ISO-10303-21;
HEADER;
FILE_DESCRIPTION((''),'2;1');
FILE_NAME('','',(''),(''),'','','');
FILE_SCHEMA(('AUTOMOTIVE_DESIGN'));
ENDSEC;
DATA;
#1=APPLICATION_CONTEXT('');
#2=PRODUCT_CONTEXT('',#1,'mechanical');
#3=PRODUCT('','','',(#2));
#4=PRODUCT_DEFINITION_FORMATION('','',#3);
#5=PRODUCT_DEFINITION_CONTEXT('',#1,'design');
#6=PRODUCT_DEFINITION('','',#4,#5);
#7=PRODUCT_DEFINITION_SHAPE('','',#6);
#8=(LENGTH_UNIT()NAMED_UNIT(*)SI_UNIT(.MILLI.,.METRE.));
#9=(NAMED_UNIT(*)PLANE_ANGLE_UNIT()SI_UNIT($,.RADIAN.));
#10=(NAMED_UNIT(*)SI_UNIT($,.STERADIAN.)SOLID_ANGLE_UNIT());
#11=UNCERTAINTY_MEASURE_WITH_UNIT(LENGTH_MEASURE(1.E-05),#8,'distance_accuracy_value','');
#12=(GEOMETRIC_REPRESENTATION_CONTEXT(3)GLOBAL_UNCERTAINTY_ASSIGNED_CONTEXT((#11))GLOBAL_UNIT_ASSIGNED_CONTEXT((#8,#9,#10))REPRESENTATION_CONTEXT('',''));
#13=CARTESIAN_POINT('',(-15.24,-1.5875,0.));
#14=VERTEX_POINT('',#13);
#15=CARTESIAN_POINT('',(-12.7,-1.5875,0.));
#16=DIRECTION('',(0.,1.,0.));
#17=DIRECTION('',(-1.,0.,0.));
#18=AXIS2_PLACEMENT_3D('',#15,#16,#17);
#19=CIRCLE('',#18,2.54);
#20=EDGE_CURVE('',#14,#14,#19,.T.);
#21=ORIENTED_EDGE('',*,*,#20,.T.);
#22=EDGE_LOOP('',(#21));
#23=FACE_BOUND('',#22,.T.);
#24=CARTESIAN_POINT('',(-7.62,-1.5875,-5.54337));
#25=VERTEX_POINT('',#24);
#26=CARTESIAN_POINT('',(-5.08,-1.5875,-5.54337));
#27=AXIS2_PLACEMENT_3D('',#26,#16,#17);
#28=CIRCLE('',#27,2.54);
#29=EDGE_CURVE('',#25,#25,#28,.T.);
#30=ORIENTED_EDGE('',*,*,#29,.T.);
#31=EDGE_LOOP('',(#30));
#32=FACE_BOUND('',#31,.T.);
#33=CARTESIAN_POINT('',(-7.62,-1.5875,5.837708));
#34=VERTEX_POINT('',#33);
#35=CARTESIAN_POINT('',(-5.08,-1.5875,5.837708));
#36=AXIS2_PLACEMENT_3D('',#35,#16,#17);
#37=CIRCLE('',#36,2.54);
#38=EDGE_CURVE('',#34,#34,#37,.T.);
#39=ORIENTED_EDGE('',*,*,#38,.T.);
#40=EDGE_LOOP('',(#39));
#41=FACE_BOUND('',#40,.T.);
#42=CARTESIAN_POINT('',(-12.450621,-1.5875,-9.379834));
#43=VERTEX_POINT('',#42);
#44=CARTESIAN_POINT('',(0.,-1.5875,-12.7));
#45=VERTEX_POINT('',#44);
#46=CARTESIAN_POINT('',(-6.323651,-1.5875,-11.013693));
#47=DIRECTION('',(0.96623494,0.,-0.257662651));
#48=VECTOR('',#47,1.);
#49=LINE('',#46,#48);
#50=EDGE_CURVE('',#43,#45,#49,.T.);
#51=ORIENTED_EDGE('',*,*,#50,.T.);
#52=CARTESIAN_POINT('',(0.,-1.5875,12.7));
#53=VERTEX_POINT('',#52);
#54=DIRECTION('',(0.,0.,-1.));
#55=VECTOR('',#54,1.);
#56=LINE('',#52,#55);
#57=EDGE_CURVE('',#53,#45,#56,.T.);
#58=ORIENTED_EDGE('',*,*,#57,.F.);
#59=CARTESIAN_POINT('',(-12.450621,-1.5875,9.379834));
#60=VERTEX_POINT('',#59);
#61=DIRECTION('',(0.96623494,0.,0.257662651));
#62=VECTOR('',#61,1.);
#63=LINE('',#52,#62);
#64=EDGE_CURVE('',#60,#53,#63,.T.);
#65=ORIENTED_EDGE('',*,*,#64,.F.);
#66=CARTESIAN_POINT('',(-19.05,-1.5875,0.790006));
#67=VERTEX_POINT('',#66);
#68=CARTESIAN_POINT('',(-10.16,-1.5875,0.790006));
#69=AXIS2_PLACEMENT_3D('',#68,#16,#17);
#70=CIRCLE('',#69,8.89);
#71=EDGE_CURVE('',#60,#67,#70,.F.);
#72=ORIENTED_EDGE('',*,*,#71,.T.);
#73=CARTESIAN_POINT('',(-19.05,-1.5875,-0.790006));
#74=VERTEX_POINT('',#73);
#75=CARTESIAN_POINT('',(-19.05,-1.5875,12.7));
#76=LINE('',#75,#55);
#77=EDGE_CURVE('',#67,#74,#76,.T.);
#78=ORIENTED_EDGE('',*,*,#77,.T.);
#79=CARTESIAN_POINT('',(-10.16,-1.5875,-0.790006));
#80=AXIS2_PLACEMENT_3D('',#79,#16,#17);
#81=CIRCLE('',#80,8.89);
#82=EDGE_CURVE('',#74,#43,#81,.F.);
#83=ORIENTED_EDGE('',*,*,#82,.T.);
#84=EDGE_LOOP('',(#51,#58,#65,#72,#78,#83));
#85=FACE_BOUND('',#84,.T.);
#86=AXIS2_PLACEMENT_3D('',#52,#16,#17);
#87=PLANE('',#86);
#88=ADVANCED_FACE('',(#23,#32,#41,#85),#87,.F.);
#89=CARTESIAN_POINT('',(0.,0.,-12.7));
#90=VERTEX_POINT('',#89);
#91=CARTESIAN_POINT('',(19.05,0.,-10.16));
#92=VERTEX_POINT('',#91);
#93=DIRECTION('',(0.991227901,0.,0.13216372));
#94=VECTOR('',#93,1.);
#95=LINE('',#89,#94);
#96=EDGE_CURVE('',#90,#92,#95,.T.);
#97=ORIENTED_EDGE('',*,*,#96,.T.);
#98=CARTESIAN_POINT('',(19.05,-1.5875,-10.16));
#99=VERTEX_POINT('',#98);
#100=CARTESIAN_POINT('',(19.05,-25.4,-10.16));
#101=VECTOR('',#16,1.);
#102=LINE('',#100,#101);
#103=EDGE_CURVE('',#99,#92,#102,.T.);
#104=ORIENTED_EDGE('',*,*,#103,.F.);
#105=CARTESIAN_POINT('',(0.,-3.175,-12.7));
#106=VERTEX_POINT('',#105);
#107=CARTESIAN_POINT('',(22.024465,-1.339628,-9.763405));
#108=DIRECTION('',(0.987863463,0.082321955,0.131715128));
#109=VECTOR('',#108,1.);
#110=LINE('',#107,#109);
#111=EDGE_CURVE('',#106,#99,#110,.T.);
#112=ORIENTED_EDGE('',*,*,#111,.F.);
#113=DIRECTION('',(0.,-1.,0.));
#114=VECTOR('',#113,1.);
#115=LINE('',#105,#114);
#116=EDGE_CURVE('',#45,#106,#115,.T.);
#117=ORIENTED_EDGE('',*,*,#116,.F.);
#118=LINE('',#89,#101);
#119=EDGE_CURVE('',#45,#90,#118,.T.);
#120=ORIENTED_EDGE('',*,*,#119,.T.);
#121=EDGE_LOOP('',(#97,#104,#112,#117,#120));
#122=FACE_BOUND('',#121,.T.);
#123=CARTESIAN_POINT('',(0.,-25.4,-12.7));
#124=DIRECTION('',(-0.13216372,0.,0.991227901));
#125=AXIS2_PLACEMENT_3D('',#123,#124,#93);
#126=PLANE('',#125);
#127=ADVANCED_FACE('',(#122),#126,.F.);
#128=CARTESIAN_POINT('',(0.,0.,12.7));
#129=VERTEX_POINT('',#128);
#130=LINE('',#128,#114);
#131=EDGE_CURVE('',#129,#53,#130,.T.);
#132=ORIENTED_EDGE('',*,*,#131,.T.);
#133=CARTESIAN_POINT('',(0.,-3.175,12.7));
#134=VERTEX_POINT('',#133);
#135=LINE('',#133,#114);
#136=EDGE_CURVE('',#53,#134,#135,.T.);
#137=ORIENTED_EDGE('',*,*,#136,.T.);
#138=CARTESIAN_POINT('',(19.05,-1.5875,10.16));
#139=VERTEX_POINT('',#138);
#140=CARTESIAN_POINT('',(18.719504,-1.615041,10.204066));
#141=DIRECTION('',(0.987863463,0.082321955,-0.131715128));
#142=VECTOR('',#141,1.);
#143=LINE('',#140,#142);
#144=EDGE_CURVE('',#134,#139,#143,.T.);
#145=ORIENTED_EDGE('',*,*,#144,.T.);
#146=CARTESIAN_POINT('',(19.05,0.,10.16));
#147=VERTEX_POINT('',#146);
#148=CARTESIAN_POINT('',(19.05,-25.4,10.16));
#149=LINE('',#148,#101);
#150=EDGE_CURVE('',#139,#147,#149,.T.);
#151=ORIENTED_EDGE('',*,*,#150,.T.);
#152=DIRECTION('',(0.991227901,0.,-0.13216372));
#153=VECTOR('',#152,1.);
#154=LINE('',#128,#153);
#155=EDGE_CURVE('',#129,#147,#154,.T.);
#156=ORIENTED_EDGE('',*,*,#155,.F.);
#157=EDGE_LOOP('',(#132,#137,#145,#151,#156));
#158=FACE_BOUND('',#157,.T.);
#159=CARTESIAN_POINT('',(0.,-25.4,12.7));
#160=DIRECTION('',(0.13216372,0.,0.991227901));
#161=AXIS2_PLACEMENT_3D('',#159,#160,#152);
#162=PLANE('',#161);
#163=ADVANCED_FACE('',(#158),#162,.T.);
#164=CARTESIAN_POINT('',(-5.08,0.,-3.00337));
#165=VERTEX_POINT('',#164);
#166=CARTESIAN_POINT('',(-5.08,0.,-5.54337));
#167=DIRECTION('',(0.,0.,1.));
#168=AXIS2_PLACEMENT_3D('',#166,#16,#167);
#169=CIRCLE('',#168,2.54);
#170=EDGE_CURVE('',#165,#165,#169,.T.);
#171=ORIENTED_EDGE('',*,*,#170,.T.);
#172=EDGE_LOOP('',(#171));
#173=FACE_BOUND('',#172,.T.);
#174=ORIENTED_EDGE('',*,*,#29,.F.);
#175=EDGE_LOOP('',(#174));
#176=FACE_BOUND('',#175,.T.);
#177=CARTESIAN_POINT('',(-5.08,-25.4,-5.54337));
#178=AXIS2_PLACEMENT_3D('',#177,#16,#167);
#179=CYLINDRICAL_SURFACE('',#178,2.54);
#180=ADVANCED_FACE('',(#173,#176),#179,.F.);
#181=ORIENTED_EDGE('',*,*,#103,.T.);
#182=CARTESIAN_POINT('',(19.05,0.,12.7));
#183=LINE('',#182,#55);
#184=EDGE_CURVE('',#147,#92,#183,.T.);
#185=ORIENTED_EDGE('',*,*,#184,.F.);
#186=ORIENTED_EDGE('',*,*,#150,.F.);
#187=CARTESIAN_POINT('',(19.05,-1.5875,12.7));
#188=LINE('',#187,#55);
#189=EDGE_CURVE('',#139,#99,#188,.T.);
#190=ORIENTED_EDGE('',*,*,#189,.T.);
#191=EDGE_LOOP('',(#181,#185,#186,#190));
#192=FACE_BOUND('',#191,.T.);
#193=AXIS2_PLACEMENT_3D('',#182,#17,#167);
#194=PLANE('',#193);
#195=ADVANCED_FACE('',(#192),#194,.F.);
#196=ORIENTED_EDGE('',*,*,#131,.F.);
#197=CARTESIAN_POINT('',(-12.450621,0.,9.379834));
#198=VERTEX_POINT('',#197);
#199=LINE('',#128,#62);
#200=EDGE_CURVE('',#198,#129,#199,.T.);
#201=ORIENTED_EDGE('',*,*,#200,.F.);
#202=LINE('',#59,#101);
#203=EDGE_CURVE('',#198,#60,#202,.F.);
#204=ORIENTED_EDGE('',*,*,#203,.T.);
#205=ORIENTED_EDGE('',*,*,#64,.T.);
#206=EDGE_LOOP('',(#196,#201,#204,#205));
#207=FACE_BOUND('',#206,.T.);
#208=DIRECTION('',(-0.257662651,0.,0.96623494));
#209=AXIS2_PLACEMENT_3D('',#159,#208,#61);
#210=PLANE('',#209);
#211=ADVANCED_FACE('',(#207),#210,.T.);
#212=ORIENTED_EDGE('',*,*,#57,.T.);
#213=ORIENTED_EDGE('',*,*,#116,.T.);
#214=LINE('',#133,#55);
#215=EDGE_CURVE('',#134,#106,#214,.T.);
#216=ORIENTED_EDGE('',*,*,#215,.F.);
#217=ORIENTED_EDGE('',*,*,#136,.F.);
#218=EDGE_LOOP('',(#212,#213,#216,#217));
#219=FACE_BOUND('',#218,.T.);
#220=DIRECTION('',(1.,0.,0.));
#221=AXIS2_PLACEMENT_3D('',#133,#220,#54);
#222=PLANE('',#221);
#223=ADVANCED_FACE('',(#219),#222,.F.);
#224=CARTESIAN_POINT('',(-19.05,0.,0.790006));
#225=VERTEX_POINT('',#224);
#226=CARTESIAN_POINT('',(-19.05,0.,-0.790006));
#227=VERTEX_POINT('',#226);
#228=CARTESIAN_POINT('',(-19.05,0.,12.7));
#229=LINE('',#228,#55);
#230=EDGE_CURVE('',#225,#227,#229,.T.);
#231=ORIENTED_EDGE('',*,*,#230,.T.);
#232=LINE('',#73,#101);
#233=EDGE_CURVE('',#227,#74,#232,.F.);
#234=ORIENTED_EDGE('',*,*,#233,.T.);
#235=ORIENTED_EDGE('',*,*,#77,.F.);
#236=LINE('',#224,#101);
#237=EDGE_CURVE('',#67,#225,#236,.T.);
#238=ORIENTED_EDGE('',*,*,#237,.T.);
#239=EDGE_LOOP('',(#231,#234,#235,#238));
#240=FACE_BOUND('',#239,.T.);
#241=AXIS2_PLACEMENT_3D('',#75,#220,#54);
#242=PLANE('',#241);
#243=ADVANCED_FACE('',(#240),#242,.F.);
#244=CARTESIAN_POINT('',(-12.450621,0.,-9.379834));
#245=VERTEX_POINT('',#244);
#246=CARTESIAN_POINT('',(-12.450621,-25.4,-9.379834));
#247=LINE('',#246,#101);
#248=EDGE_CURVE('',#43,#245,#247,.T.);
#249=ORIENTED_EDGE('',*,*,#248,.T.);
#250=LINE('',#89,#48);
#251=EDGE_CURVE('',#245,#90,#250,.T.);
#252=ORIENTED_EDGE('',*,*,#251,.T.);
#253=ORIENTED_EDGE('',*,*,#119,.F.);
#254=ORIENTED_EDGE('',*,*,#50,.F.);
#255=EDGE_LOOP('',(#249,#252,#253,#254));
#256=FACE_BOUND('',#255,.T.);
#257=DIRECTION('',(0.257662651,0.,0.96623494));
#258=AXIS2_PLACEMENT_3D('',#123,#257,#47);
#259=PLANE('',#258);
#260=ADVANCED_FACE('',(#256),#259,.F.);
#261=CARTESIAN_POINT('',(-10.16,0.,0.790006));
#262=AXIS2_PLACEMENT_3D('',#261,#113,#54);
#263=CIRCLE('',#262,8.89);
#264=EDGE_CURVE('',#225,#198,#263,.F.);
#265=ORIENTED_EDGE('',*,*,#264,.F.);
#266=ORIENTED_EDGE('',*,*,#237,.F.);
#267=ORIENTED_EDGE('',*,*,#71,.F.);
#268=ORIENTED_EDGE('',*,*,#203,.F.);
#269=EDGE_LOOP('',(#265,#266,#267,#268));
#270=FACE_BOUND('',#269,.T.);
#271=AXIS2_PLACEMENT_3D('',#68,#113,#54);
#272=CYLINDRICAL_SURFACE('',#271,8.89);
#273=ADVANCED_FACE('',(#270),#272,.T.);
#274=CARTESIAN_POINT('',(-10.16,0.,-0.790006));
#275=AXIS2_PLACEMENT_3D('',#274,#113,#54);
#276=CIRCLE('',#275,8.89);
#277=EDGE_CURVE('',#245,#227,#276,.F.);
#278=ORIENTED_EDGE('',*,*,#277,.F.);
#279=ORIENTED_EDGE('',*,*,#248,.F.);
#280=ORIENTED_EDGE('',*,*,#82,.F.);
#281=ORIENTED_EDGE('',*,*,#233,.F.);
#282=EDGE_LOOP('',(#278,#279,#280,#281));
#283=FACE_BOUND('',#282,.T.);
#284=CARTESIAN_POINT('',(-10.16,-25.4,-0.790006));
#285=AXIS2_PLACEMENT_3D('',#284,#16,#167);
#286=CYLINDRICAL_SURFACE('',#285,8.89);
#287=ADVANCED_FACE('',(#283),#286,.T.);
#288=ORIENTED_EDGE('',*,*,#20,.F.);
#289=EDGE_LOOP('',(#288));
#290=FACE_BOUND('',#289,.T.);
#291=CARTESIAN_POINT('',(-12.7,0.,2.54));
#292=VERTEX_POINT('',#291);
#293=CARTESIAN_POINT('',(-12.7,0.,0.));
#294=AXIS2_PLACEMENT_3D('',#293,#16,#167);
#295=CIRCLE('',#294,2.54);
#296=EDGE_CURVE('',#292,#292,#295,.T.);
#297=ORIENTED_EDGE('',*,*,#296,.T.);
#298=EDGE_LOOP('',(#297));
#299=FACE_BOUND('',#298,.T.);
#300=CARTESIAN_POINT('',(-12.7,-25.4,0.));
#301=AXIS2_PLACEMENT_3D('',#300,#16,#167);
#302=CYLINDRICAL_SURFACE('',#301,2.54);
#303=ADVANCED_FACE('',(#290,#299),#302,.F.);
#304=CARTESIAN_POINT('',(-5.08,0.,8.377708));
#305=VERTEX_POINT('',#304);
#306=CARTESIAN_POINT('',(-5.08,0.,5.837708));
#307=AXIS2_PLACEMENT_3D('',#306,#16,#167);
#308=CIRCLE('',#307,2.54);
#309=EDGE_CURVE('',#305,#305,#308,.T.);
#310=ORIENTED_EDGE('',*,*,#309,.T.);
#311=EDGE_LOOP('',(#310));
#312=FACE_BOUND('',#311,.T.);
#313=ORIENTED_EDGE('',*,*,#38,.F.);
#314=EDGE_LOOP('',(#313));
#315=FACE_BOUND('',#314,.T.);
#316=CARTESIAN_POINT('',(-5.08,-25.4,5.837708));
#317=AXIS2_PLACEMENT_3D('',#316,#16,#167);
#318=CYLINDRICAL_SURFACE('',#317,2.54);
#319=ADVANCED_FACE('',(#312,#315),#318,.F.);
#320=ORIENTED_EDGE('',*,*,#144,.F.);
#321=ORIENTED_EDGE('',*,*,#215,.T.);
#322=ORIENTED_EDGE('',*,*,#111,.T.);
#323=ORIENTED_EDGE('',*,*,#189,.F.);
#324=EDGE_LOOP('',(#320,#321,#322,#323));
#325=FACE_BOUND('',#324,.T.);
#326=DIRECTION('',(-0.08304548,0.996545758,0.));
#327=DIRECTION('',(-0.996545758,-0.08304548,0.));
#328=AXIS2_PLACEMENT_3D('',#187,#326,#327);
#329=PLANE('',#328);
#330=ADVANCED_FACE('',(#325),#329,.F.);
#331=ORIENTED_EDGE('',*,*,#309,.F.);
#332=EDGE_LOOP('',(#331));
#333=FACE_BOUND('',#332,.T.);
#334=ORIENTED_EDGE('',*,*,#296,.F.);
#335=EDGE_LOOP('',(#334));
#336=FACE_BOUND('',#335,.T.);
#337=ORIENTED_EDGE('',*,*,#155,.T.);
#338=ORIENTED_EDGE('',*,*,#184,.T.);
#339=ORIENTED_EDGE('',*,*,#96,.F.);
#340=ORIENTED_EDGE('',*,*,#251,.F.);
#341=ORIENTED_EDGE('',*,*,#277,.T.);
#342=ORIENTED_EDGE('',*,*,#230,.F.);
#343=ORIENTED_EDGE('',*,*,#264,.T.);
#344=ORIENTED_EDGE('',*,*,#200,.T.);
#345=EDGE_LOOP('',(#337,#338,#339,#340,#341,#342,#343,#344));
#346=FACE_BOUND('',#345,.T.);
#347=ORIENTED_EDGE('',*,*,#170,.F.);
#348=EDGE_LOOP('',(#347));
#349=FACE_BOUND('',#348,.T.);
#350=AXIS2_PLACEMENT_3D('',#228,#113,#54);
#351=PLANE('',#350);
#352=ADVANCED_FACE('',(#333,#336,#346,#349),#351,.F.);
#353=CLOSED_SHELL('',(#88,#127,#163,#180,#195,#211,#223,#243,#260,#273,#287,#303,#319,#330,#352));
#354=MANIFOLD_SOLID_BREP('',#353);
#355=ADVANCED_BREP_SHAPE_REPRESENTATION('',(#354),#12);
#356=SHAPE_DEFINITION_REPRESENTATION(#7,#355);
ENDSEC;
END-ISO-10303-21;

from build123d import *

# Parameters (mm, degrees)
BOSS_EXTRUDE1_DEPTH = 12.7
CUT_EXTRUDE1_DEPTH  = 25.4
CUT_EXTRUDE2_DEPTH  = 25.4
FILLET1_R           = 8.89
SKETCH4_R           = 2.54
CUT_EXTRUDE3_DEPTH  = 25.4


with BuildPart() as part:
    # Sketch1 → Boss-Extrude1 (new, symmetric)
    with BuildSketch(Plane.XY):
        Polygon((-19.05, 0), (19.05, 0), (19.05, -1.5875), (0, -3.175), (0, -1.5875), (-19.05, -1.5875), align=None)
    extrude(amount=BOSS_EXTRUDE1_DEPTH, both=True)

    # Sketch2 → Cut-Extrude1 (cut)
    with BuildSketch(Plane(origin=(0, 0, 0), x_dir=(1, 0, 0), z_dir=(0, 1, 0))):
        Polygon((0, 12.7), (19.05, 10.16), (19.05, 12.7), align=None)
    cut_extrude1 = extrude(amount=-CUT_EXTRUDE1_DEPTH, mode=Mode.SUBTRACT)

    # Mirror1: Cut-Extrude1 across plane
    add(cut_extrude1.mirror(Plane.XY), mode=Mode.SUBTRACT)

    # Sketch3 → Cut-Extrude2 (cut)
    with BuildSketch(Plane(origin=(0, 0, 0), x_dir=(1, 0, 0), z_dir=(0, 1, 0))):
        Polygon((0, 12.7), (-19.05, 7.62), (-19.05, 12.7), align=None)
    cut_extrude2 = extrude(amount=-CUT_EXTRUDE2_DEPTH, mode=Mode.SUBTRACT)

    # Mirror2: Cut-Extrude2 across plane
    add(cut_extrude2.mirror(Plane.XY), mode=Mode.SUBTRACT)

    # Fillet1
    fillet1_edges = [part.edges().sort_by_distance(p)[0] for p in [
        (-19.05, -0.79375, -7.62),
        (-19.05, -0.79375, 7.62),
    ]]
    fillet(fillet1_edges, radius=FILLET1_R)

    # Sketch4 → Cut-Extrude3 (cut)
    with BuildSketch(Plane(origin=(0, 0, 0), x_dir=(1, 0, 0), z_dir=(0, 1, 0))):
        with Locations(Location((-5.08, 5.543370255, 0), (0, 0, 270))):
            Circle(SKETCH4_R)
        with Locations(Location((-5.08, -5.837708499, 0), (0, 0, 270))):
            Circle(SKETCH4_R)
        with Locations(Location((-12.7, 0, 0), (0, 0, 270))):
            Circle(SKETCH4_R)
    extrude(amount=-CUT_EXTRUDE3_DEPTH, mode=Mode.SUBTRACT)


solid = part.part
